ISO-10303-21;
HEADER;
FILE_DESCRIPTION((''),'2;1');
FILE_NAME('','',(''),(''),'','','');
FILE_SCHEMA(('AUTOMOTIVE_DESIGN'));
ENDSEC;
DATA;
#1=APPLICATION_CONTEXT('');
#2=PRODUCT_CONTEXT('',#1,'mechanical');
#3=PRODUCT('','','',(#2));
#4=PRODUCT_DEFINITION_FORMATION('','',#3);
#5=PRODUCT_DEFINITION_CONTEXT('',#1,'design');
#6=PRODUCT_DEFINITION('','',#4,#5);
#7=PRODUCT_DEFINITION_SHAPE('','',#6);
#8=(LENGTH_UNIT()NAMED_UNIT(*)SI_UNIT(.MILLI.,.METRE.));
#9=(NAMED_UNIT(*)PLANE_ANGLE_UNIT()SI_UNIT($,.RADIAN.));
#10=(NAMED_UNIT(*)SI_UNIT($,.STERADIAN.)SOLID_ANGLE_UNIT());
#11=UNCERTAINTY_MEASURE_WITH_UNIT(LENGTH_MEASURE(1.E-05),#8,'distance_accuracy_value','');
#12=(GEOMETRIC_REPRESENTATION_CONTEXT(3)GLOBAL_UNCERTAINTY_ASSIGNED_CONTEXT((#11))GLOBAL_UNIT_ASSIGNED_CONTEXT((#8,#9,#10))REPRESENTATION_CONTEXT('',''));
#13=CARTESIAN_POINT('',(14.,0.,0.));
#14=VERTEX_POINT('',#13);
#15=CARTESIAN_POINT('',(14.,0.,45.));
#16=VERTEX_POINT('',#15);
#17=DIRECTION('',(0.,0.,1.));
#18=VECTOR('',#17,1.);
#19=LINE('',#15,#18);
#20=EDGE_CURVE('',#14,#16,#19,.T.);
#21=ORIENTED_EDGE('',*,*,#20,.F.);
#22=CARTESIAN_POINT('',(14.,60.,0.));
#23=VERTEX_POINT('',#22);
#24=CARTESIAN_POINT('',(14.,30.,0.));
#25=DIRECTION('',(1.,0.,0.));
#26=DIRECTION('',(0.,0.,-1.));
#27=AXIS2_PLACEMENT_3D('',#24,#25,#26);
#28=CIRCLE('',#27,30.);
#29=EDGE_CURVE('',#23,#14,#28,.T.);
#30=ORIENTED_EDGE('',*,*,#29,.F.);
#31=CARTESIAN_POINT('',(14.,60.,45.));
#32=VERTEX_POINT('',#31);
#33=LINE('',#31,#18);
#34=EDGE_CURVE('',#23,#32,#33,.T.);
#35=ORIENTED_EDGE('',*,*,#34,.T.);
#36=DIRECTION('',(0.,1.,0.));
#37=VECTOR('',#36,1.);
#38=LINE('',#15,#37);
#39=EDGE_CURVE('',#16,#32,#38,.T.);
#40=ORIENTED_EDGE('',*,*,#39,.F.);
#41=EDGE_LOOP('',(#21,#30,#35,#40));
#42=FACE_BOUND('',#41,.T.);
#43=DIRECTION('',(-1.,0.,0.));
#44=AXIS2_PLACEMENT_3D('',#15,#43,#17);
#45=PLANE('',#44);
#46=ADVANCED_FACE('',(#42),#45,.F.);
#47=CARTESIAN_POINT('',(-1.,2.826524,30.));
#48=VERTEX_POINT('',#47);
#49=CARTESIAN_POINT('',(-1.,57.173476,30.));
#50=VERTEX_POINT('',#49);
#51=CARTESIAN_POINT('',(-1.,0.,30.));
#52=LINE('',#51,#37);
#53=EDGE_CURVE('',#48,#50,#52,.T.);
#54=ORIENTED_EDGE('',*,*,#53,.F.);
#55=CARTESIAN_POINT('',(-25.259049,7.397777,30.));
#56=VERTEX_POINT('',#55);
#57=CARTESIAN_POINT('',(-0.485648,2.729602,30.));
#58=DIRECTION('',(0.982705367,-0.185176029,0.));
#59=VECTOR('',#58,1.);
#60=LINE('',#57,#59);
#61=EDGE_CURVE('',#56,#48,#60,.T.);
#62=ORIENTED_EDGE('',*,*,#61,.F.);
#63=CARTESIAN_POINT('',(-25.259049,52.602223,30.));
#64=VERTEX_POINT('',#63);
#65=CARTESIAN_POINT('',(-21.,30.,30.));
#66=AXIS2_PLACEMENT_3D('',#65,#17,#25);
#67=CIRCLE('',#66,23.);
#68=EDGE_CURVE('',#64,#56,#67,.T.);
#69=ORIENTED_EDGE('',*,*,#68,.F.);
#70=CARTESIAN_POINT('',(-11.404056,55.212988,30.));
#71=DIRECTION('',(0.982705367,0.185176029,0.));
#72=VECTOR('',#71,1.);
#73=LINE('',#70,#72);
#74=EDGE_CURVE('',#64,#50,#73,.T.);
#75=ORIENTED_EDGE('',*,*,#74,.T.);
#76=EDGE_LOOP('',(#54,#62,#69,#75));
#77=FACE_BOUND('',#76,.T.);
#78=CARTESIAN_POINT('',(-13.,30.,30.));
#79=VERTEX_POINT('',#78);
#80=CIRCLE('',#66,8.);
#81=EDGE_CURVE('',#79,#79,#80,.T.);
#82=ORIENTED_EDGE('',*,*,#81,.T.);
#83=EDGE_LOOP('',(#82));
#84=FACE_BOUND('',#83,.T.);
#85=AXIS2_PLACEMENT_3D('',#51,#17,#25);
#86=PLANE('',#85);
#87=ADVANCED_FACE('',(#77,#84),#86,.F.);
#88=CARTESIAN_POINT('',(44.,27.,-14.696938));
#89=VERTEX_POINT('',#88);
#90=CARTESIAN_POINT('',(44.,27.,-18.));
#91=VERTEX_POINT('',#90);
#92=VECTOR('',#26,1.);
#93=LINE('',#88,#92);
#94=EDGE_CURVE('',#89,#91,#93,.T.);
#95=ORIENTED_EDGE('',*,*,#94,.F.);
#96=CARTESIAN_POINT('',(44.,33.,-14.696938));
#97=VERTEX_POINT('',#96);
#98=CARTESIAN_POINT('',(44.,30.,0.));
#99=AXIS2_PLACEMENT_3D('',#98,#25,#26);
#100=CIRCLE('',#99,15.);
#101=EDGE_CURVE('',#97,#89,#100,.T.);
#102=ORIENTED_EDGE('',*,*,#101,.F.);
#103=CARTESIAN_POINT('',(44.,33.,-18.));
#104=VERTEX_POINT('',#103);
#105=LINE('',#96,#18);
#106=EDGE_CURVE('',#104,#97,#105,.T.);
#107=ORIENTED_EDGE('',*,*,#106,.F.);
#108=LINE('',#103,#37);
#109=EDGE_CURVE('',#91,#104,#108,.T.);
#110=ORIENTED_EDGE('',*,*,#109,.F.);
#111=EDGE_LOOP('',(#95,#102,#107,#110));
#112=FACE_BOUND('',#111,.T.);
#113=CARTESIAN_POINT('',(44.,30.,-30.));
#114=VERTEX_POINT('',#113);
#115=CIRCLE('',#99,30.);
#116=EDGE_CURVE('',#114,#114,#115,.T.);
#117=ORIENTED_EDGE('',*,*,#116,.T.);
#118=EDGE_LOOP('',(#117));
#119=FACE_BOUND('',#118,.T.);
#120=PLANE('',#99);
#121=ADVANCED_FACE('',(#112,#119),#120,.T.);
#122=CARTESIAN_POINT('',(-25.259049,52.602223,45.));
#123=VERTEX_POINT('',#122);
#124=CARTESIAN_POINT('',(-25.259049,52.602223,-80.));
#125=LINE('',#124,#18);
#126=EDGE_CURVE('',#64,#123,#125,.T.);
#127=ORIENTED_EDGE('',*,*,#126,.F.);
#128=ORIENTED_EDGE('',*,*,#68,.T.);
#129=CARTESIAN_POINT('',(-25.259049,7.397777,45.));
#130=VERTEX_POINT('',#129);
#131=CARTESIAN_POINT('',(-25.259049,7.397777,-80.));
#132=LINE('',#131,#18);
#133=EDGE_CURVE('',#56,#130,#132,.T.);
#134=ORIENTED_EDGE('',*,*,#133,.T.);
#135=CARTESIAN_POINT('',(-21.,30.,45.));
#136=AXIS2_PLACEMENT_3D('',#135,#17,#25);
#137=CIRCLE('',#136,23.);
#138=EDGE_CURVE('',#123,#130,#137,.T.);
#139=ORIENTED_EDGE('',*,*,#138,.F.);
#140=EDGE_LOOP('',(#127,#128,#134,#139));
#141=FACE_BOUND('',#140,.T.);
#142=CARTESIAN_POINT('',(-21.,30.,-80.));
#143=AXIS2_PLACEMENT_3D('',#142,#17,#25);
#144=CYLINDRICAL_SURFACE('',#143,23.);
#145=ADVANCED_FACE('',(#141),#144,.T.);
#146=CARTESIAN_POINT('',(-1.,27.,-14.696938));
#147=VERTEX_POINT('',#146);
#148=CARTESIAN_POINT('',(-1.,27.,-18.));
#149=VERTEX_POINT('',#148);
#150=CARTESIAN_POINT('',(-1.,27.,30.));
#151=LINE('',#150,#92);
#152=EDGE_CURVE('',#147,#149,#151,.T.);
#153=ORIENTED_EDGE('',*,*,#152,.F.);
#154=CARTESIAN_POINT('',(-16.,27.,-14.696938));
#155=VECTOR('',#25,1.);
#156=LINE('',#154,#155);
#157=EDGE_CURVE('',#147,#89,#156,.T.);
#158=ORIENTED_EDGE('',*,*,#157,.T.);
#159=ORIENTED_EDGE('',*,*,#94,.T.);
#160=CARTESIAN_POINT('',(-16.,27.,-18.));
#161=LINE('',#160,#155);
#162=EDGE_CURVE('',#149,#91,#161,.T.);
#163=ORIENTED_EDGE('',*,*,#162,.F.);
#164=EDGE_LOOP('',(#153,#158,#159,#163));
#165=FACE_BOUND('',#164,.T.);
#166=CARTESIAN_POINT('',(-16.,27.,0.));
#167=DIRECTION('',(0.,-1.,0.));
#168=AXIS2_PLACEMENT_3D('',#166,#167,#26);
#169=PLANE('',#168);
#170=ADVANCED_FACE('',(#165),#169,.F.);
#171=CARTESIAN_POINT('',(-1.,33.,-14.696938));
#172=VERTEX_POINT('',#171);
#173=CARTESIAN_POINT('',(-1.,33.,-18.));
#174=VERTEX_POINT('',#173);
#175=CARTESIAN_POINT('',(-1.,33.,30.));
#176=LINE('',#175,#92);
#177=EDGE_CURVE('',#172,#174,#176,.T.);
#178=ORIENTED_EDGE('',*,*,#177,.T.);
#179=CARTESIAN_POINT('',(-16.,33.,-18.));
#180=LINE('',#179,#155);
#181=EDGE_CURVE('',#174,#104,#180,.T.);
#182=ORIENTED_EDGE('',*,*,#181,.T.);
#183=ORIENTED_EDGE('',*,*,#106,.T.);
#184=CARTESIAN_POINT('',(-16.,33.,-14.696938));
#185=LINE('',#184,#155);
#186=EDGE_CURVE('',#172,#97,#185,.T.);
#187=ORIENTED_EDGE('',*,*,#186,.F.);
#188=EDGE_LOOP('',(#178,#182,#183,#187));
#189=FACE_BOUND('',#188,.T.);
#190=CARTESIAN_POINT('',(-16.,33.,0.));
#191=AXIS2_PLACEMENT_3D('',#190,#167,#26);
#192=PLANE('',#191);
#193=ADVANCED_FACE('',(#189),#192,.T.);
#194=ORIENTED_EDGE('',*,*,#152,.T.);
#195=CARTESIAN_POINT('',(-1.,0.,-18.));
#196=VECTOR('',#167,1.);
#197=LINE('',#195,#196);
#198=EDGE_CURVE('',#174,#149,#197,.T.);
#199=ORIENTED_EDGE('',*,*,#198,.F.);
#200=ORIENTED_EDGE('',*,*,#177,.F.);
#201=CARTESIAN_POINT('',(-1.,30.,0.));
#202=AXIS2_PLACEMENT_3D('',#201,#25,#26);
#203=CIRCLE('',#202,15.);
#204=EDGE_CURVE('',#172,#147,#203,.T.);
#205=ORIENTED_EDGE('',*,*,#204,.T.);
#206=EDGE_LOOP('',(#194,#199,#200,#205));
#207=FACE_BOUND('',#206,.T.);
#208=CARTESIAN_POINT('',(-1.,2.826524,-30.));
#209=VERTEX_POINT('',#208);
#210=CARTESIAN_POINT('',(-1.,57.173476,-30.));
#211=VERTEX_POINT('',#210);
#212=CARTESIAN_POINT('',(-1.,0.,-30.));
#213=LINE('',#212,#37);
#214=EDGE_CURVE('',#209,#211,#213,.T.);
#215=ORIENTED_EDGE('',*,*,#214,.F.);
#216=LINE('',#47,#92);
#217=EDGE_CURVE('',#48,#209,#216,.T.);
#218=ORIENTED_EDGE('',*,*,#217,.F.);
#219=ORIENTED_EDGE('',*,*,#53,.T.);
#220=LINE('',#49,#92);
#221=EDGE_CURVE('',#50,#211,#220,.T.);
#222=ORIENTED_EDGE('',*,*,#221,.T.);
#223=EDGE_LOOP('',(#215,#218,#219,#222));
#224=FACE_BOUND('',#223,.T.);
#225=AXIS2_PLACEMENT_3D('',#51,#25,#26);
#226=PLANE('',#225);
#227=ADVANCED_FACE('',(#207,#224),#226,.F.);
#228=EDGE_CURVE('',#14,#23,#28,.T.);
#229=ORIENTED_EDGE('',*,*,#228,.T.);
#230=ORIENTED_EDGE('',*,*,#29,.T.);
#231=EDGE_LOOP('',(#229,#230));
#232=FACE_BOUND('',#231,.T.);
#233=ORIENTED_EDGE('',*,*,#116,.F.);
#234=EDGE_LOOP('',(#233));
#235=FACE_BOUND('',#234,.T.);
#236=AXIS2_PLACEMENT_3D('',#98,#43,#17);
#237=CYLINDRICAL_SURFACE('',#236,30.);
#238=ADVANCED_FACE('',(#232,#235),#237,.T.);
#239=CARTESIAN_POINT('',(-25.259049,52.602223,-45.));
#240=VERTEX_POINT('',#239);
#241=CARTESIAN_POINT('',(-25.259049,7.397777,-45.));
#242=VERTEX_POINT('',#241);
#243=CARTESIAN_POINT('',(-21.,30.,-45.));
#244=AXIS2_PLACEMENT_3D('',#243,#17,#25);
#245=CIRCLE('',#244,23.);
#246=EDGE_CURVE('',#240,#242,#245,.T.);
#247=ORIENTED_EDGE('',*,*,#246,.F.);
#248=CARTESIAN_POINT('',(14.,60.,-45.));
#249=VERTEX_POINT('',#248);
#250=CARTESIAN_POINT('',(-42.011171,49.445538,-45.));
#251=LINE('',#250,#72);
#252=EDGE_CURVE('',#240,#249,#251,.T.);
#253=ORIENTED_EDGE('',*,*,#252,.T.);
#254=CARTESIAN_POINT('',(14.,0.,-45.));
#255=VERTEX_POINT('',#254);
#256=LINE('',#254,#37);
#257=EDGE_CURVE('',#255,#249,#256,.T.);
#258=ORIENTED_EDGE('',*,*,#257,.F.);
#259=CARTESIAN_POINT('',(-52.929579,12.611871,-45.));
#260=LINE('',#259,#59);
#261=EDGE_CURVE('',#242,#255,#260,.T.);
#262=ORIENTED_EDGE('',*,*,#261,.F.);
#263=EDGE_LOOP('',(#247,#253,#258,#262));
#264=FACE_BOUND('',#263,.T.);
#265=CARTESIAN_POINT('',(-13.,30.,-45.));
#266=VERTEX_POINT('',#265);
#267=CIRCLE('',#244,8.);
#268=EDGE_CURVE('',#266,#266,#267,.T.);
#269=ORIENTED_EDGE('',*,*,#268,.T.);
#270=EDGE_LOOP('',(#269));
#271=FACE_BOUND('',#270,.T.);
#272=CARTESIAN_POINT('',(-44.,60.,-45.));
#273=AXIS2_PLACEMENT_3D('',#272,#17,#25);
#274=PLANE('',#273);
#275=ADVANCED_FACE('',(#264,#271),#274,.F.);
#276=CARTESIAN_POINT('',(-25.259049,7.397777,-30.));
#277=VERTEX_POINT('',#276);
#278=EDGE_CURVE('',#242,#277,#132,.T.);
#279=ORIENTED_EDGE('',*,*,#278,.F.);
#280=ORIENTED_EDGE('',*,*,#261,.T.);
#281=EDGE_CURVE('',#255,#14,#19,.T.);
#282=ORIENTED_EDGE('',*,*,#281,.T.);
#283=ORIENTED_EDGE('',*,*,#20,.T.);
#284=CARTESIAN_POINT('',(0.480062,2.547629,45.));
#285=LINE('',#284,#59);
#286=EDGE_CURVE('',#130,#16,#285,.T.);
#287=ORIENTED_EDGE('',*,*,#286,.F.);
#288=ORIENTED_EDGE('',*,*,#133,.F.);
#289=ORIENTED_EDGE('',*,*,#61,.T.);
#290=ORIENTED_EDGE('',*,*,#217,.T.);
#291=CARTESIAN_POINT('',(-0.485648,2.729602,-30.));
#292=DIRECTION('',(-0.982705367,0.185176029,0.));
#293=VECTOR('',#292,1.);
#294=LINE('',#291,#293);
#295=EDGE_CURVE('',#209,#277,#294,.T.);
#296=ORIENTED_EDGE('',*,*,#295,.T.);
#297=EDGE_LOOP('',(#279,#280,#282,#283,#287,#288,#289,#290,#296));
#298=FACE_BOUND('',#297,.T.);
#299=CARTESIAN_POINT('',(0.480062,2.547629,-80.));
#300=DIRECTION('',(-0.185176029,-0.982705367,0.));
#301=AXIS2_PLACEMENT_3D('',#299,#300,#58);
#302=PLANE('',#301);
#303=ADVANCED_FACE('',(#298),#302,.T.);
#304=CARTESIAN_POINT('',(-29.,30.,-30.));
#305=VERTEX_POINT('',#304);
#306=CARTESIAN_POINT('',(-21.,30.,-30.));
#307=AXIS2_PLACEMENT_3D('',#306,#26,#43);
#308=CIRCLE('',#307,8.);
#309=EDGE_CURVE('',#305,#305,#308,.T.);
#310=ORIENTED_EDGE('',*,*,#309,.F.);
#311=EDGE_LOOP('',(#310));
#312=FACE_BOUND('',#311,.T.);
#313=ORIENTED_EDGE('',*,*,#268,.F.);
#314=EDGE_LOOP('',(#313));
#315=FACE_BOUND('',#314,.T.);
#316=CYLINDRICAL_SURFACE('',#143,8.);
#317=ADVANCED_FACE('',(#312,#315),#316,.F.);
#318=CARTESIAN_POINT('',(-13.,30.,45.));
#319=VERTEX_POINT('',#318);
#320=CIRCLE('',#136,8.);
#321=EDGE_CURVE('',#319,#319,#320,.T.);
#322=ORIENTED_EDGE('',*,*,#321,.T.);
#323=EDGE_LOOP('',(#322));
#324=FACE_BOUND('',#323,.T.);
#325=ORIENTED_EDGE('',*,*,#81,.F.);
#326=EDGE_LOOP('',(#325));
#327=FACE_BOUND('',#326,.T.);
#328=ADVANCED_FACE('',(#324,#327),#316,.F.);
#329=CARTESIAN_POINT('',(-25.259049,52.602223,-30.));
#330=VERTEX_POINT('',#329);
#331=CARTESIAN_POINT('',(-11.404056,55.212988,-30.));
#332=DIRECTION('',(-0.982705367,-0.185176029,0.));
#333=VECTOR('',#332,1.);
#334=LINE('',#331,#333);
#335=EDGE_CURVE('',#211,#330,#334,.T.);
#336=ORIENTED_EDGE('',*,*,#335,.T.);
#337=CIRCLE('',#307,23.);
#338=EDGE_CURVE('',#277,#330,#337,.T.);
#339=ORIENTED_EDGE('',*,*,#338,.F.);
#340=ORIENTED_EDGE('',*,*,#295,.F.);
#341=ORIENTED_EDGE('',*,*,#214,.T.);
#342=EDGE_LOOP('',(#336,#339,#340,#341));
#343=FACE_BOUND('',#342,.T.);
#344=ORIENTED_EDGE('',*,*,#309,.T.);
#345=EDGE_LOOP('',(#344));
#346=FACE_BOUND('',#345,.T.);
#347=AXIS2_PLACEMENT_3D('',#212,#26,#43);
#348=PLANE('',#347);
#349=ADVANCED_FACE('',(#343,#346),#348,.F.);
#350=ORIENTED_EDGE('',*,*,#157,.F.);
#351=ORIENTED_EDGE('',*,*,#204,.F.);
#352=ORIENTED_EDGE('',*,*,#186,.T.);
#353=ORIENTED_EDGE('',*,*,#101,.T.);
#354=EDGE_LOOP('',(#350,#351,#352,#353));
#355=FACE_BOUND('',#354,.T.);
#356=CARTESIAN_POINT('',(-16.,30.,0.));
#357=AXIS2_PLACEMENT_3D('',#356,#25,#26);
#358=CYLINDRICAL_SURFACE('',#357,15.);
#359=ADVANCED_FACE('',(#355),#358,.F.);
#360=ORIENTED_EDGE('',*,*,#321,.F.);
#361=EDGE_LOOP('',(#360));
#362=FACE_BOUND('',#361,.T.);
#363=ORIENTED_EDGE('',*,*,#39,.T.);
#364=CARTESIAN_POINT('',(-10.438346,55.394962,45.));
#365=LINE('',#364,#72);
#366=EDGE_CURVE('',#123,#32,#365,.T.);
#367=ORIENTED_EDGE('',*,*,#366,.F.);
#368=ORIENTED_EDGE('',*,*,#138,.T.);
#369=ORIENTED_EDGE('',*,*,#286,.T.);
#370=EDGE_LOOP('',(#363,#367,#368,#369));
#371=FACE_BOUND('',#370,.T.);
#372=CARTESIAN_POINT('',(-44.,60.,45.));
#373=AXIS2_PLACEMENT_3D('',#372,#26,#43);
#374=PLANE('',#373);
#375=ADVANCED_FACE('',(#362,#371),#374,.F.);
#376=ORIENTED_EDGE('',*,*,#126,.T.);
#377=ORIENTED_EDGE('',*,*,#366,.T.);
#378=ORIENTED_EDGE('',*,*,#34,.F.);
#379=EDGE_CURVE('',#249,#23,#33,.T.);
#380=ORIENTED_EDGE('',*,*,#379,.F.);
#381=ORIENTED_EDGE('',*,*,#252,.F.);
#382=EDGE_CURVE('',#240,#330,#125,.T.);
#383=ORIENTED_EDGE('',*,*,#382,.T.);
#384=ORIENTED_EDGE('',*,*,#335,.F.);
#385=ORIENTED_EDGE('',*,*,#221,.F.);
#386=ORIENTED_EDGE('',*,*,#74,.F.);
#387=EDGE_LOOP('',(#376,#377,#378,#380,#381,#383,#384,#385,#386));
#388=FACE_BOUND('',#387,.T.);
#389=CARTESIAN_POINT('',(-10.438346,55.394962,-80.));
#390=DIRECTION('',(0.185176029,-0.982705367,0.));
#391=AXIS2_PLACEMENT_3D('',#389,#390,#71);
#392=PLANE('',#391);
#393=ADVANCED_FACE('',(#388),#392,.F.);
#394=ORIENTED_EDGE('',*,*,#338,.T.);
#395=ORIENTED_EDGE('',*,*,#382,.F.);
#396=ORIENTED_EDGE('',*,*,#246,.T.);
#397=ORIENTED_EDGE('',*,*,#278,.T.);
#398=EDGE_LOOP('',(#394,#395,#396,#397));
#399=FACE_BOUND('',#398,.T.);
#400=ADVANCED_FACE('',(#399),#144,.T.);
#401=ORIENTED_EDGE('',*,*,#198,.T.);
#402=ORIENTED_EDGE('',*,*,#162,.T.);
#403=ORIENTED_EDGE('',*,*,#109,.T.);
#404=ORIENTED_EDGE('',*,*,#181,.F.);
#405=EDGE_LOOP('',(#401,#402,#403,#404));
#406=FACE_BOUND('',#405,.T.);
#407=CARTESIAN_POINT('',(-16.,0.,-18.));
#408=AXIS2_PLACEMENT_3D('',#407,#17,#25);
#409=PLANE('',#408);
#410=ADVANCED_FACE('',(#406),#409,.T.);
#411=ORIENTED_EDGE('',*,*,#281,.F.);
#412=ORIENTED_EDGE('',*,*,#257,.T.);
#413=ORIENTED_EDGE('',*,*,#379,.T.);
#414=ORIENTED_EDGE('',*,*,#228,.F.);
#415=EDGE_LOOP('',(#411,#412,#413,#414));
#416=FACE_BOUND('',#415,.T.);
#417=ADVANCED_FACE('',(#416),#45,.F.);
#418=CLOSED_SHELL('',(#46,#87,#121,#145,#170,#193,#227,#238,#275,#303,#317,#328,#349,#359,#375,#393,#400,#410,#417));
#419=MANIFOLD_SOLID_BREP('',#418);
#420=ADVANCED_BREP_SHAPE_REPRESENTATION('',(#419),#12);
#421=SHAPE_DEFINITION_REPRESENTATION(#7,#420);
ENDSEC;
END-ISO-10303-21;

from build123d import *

# Parameters (mm, degrees)
SKETCH1_W           = 88
SKETCH1_H           = 90
BOSS_EXTRUDE1_DEPTH = 60
SKETCH2_W           = 43
SKETCH2_H           = 60
SKETCH2_W_2         = 30
SKETCH2_H_2         = 90
CUT_EXTRUDE1_DEPTH  = 60
SKETCH3_R           = 8
CUT_EXTRUDE2_DEPTH  = 125
CUT_EXTRUDE3_DEPTH  = 30
BOSS_EXTRUDE2_START = 30
SKETCH4_4_R         = 30
BOSS_EXTRUDE2_DEPTH = 30


with BuildPart() as part:
    # Sketch1 → Boss-Extrude1 (new body)
    with BuildSketch(Plane(origin=(0, 0, 0), x_dir=(1, 0, 0), z_dir=(0, 1, 0))):
        Rectangle(SKETCH1_W, SKETCH1_H)
    extrude(amount=BOSS_EXTRUDE1_DEPTH)

    # Sketch2 → Cut-Extrude1 (cut)
    with BuildSketch(Plane(origin=(0, 60, 0), x_dir=(1, 0, 0), z_dir=(0, 1, 0))):
        with Locations((-22.5, 0)):
            Rectangle(SKETCH2_W, SKETCH2_H)
        with Locations((29, 0)):
            Rectangle(SKETCH2_W_2, SKETCH2_H_2)
    extrude(amount=-CUT_EXTRUDE1_DEPTH, mode=Mode.SUBTRACT)

    # Sketch3 → Cut-Extrude2 (cut)
    with BuildSketch(Plane.XY.offset(45)):
        with BuildLine():
            ThreePointArc((-44, 30), (-38.705339862, 44.68063147), (-25.259048664, 52.602223441))
            Line((-25.259048664, 52.602223441), (14, 60))
            Line((14, 60), (-44, 60))
            Line((-44, 60), (-44, 30))
        make_face()
        with BuildLine():
            ThreePointArc((-25.259048664, 7.397776559), (-38.705339862, 15.31936853), (-44, 30))
            Line((-44, 30), (-44, 0))
            Line((-44, 0), (14, 0))
            Line((14, 0), (-25.259048664, 7.397776559))
        make_face()
        with Locations((-21, 30)):
            Circle(SKETCH3_R)
    extrude(amount=-CUT_EXTRUDE2_DEPTH, mode=Mode.SUBTRACT)

    # Sketch4 → Cut-Extrude3 (cut)
    with BuildSketch(Plane(origin=(14, 0, 0), x_dir=(0, 0, -1), z_dir=(1, 0, 0))):
        with BuildLine():
            Line((18, 33), (14.696938457, 33))
            ThreePointArc((14.696938457, 33), (-15, 30), (14.696938457, 27))
            Line((14.696938457, 27), (18, 27))
            Line((18, 27), (18, 33))
        make_face()
    extrude(amount=-CUT_EXTRUDE3_DEPTH, mode=Mode.SUBTRACT)

    # Sketch4<4> → Boss-Extrude2 (add)
    with BuildSketch(Plane(origin=(14, 0, 0), x_dir=(0, 0, -1), z_dir=(1, 0, 0)).offset(BOSS_EXTRUDE2_START)):
        with Locations((0, 30)):
            Circle(SKETCH4_4_R)
        with BuildLine():
            Line((14.696938457, 33), (18, 33))
            Line((18, 33), (18, 27))
            Line((18, 27), (14.696938457, 27))
            ThreePointArc((14.696938457, 27), (-15, 30), (14.696938457, 33))
        make_face(mode=Mode.SUBTRACT)
    extrude(amount=-BOSS_EXTRUDE2_DEPTH)


solid = part.part
